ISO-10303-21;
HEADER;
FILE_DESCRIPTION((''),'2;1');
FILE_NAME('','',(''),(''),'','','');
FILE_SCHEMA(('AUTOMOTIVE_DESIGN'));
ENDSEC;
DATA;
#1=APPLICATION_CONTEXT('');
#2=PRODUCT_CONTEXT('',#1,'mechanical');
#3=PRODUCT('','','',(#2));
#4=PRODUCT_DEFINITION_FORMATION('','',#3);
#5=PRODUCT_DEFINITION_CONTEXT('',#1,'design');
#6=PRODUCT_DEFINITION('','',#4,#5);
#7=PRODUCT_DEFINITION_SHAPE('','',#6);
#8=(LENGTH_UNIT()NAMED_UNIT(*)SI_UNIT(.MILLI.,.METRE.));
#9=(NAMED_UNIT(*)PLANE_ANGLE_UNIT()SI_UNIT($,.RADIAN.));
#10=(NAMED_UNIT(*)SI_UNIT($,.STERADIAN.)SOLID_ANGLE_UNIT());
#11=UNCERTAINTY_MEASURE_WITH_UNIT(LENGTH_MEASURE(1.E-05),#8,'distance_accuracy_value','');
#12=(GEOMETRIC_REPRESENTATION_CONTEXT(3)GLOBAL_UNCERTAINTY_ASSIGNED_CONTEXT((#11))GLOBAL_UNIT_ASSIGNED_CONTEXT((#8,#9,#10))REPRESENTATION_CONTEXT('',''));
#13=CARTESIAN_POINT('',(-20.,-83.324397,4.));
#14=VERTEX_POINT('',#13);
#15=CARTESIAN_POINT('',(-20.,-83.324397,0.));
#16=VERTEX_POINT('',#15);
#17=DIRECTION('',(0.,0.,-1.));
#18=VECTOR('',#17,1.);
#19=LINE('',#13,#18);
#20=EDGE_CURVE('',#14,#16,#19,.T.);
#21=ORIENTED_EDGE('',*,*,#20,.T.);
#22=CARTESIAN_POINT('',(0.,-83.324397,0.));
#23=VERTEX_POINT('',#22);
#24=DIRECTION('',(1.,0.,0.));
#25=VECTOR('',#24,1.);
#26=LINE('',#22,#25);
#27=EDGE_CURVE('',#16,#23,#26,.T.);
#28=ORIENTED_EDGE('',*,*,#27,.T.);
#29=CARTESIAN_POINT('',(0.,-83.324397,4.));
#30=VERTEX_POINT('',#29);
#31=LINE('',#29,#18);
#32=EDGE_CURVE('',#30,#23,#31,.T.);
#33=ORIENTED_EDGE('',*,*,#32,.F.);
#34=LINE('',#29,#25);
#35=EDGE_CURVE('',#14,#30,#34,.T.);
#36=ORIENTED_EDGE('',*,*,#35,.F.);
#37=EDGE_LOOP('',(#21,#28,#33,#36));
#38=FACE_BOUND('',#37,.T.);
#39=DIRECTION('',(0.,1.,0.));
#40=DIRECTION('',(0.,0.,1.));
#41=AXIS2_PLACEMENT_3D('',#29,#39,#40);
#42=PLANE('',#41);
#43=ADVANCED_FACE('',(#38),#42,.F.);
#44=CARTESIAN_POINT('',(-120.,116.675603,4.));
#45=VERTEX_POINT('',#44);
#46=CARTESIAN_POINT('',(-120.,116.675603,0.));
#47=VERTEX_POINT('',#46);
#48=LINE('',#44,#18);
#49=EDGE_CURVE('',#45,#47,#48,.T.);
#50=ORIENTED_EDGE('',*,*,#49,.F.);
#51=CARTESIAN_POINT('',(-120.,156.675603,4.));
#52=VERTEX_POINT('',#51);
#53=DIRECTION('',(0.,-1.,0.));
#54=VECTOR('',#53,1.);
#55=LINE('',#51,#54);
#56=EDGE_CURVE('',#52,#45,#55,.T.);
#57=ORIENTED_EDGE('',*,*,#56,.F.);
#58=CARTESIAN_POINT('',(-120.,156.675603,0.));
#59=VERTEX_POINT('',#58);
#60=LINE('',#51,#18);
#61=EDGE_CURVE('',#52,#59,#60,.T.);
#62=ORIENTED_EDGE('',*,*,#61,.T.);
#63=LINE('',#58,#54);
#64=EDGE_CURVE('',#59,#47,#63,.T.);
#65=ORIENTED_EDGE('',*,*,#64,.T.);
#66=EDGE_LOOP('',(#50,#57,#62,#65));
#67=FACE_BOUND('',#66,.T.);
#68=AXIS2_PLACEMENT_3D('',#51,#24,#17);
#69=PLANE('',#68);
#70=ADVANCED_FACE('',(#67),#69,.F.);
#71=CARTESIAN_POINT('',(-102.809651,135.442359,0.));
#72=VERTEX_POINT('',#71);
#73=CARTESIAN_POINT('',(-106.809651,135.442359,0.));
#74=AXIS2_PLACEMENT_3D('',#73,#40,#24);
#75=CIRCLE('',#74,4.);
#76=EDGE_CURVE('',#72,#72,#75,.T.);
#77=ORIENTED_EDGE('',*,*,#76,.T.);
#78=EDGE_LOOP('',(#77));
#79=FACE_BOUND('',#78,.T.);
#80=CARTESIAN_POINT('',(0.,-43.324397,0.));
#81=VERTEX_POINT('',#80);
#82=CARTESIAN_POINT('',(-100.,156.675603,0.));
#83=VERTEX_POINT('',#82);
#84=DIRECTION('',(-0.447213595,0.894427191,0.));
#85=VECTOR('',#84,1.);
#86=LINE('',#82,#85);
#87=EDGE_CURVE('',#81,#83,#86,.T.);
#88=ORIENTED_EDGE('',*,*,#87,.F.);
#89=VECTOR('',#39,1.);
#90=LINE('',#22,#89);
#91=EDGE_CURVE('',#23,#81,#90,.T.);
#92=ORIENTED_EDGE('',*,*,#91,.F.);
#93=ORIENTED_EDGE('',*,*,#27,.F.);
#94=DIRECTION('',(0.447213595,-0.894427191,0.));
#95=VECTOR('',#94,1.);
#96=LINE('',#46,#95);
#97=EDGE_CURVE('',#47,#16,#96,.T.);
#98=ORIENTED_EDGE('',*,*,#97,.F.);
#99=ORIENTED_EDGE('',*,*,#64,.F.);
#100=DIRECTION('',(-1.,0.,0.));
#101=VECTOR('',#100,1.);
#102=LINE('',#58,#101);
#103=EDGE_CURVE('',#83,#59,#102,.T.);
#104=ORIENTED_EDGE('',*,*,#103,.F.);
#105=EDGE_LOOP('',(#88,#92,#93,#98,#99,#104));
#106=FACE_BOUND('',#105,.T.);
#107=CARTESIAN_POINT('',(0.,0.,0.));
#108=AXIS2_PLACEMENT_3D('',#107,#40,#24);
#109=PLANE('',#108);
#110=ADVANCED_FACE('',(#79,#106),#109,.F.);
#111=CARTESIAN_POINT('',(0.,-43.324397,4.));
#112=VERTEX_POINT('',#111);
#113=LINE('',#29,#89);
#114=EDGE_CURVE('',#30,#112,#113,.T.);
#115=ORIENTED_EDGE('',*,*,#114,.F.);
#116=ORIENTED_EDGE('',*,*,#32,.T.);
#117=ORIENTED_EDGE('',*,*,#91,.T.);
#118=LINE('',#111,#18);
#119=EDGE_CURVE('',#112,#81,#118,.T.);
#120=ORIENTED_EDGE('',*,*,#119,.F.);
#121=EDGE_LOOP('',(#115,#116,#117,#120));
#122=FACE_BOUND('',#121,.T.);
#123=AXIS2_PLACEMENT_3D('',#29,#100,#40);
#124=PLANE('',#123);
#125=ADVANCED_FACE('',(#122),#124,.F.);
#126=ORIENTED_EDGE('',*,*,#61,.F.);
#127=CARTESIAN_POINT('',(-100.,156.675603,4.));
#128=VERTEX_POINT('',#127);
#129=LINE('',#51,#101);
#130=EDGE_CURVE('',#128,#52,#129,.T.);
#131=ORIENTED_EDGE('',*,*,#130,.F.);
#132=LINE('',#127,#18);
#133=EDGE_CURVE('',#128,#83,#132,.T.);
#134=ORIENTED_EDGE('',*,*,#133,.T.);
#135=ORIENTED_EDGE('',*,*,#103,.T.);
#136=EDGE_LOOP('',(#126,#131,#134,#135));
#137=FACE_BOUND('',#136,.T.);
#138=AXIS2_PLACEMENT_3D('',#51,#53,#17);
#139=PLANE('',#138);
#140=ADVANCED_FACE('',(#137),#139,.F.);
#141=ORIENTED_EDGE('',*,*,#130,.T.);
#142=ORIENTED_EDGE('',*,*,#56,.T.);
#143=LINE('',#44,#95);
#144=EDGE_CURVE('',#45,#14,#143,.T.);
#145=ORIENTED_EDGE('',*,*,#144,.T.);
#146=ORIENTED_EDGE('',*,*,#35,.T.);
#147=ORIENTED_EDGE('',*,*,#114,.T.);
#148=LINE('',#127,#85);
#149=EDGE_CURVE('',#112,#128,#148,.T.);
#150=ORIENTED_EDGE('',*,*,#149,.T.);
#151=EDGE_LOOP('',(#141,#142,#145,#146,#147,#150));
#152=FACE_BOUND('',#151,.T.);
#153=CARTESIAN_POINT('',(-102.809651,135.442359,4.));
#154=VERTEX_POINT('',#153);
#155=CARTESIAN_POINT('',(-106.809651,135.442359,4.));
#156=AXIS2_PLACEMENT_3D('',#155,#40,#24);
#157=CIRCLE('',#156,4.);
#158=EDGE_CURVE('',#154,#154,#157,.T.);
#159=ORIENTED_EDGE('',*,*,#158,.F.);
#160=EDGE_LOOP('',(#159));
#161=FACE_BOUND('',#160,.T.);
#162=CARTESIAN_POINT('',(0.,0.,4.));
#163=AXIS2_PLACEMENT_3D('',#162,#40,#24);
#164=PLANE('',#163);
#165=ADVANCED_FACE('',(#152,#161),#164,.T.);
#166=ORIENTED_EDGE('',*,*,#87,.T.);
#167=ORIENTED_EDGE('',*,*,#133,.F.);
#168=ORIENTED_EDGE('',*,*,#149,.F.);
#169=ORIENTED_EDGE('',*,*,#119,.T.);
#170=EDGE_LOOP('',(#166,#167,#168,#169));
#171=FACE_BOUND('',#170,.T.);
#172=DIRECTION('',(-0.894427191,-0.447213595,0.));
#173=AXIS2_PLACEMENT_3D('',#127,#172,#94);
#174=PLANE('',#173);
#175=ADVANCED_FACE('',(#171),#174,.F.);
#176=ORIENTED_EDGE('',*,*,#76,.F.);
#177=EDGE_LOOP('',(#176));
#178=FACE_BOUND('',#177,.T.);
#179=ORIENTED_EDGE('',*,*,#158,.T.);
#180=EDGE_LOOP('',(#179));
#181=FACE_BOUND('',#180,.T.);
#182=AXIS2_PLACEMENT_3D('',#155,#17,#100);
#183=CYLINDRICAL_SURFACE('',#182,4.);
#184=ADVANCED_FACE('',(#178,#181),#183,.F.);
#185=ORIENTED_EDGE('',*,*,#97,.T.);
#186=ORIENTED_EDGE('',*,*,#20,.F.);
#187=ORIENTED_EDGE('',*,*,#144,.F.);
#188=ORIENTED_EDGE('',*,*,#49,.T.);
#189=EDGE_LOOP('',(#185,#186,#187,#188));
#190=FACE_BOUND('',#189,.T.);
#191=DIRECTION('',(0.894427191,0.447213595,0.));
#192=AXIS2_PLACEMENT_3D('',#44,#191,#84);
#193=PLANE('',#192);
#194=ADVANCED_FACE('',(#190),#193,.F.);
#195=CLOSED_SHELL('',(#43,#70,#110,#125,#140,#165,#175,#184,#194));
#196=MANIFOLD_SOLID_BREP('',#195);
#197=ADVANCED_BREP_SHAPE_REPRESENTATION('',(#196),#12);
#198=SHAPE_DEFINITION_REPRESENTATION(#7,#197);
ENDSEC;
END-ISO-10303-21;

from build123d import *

# Parameters (mm, degrees)
SKETCH1_R           = 4
BOSS_EXTRUDE1_DEPTH = 4


with BuildPart() as part:
    # Sketch1 → Boss-Extrude1 (new body)
    with BuildSketch(Plane.XY):
        Polygon((0, -83.324396783), (0, -43.324396783), (-100, 156.675603217), (-120, 156.675603217), (-120, 116.675603217), (-20, -83.324396783), align=None)
        with Locations((-106.809651475, 135.442359249)):
            Circle(SKETCH1_R, mode=Mode.SUBTRACT)
    extrude(amount=BOSS_EXTRUDE1_DEPTH)


solid = part.part
